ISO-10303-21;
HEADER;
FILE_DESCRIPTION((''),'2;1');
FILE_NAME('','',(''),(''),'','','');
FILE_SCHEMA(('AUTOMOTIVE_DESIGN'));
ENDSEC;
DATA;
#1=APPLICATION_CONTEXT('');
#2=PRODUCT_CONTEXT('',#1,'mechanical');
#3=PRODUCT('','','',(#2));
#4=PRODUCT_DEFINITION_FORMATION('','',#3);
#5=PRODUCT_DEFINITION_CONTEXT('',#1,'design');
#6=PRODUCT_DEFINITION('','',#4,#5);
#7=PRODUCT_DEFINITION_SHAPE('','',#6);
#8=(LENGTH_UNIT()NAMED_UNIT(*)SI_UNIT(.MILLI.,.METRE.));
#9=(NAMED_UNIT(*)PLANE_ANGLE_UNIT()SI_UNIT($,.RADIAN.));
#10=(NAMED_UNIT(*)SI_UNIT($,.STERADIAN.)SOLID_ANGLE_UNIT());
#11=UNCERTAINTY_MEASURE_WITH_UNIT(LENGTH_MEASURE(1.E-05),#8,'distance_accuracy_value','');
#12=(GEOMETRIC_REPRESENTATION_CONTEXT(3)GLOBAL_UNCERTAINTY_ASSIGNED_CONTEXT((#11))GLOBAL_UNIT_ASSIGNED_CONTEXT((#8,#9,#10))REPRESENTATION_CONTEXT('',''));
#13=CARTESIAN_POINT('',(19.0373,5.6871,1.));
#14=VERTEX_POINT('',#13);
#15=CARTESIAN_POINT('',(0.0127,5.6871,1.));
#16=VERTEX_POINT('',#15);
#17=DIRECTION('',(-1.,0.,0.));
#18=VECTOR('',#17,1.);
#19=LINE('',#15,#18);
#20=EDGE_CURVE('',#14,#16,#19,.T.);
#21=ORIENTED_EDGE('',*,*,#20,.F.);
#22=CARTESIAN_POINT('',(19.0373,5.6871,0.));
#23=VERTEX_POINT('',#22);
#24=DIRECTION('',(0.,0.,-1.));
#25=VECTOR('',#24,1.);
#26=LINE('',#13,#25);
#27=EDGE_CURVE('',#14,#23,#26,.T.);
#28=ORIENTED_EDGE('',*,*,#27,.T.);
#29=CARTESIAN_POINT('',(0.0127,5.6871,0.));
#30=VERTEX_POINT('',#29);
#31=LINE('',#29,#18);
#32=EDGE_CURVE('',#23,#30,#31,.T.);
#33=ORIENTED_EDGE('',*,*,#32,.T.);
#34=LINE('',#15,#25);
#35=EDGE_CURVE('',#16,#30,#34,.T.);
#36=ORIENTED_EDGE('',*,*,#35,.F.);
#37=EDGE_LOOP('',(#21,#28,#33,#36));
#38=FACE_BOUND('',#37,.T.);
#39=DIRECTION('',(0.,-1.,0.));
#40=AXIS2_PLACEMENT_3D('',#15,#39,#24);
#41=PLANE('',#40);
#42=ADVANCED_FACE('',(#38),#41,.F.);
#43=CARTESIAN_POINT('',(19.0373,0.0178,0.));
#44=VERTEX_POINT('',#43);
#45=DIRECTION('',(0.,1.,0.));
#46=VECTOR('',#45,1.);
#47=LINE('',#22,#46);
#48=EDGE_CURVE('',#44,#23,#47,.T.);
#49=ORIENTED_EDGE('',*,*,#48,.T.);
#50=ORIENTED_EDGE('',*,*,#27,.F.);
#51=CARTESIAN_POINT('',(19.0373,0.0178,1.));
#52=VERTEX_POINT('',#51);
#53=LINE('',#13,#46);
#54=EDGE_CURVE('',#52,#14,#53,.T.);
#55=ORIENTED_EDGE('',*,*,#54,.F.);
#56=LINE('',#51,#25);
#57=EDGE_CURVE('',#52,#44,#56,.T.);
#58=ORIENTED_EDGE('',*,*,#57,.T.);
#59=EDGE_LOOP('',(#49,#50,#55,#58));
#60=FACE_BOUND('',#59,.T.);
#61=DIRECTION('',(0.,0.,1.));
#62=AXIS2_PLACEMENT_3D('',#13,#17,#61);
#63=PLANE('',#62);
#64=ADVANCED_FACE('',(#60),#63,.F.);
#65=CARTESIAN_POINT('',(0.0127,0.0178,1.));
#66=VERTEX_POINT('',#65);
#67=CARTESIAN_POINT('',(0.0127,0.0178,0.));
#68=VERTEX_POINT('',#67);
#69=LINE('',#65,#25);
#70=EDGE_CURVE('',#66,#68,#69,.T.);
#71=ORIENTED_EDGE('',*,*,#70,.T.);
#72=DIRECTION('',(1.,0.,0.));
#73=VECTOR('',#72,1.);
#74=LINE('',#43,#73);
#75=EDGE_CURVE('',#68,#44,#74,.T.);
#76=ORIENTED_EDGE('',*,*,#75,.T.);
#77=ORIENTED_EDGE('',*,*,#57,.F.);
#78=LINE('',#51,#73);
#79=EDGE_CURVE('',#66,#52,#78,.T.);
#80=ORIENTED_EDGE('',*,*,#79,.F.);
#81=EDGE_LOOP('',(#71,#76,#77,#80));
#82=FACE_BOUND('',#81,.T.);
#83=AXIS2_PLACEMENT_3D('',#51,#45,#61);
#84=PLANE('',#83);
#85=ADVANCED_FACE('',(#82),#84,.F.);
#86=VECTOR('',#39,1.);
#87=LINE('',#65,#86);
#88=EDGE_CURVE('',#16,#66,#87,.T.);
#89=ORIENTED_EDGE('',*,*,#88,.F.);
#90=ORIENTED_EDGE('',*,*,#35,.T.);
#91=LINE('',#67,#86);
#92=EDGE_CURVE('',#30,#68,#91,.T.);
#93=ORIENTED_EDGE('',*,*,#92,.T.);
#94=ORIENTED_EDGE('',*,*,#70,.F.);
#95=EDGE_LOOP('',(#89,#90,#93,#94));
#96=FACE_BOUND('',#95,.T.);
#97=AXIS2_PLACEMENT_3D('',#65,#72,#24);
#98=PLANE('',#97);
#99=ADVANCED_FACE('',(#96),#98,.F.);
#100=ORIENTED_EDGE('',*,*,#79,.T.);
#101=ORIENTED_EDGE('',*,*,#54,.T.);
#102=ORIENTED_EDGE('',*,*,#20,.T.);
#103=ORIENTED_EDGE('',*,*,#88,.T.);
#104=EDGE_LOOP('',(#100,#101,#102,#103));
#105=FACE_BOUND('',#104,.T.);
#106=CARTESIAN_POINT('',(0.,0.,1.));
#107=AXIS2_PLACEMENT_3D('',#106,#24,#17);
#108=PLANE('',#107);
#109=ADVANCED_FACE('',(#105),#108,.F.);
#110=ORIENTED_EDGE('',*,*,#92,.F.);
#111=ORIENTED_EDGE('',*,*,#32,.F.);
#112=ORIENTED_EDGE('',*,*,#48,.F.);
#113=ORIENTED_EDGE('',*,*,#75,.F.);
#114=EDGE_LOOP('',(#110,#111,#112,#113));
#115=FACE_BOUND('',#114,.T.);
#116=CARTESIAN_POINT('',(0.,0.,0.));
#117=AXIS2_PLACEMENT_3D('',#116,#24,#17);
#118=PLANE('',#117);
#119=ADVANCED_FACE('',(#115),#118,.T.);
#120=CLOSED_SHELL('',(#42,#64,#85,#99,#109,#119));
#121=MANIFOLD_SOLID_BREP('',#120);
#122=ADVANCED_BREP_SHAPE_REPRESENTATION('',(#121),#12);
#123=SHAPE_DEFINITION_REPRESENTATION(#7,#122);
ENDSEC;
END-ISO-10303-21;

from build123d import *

# Parameters (mm, degrees)
SKETCH1_W               = 19.0246
SKETCH1_H               = 5.6693
COMPONENT_OUTLINE_DEPTH = 1


with BuildPart() as part:
    # Sketch1 → Component_Outline (new body)
    with BuildSketch(Plane.XY):
        with Locations((9.525, 2.85245)):
            Rectangle(SKETCH1_W, SKETCH1_H)
    extrude(amount=COMPONENT_OUTLINE_DEPTH)


solid = part.part
